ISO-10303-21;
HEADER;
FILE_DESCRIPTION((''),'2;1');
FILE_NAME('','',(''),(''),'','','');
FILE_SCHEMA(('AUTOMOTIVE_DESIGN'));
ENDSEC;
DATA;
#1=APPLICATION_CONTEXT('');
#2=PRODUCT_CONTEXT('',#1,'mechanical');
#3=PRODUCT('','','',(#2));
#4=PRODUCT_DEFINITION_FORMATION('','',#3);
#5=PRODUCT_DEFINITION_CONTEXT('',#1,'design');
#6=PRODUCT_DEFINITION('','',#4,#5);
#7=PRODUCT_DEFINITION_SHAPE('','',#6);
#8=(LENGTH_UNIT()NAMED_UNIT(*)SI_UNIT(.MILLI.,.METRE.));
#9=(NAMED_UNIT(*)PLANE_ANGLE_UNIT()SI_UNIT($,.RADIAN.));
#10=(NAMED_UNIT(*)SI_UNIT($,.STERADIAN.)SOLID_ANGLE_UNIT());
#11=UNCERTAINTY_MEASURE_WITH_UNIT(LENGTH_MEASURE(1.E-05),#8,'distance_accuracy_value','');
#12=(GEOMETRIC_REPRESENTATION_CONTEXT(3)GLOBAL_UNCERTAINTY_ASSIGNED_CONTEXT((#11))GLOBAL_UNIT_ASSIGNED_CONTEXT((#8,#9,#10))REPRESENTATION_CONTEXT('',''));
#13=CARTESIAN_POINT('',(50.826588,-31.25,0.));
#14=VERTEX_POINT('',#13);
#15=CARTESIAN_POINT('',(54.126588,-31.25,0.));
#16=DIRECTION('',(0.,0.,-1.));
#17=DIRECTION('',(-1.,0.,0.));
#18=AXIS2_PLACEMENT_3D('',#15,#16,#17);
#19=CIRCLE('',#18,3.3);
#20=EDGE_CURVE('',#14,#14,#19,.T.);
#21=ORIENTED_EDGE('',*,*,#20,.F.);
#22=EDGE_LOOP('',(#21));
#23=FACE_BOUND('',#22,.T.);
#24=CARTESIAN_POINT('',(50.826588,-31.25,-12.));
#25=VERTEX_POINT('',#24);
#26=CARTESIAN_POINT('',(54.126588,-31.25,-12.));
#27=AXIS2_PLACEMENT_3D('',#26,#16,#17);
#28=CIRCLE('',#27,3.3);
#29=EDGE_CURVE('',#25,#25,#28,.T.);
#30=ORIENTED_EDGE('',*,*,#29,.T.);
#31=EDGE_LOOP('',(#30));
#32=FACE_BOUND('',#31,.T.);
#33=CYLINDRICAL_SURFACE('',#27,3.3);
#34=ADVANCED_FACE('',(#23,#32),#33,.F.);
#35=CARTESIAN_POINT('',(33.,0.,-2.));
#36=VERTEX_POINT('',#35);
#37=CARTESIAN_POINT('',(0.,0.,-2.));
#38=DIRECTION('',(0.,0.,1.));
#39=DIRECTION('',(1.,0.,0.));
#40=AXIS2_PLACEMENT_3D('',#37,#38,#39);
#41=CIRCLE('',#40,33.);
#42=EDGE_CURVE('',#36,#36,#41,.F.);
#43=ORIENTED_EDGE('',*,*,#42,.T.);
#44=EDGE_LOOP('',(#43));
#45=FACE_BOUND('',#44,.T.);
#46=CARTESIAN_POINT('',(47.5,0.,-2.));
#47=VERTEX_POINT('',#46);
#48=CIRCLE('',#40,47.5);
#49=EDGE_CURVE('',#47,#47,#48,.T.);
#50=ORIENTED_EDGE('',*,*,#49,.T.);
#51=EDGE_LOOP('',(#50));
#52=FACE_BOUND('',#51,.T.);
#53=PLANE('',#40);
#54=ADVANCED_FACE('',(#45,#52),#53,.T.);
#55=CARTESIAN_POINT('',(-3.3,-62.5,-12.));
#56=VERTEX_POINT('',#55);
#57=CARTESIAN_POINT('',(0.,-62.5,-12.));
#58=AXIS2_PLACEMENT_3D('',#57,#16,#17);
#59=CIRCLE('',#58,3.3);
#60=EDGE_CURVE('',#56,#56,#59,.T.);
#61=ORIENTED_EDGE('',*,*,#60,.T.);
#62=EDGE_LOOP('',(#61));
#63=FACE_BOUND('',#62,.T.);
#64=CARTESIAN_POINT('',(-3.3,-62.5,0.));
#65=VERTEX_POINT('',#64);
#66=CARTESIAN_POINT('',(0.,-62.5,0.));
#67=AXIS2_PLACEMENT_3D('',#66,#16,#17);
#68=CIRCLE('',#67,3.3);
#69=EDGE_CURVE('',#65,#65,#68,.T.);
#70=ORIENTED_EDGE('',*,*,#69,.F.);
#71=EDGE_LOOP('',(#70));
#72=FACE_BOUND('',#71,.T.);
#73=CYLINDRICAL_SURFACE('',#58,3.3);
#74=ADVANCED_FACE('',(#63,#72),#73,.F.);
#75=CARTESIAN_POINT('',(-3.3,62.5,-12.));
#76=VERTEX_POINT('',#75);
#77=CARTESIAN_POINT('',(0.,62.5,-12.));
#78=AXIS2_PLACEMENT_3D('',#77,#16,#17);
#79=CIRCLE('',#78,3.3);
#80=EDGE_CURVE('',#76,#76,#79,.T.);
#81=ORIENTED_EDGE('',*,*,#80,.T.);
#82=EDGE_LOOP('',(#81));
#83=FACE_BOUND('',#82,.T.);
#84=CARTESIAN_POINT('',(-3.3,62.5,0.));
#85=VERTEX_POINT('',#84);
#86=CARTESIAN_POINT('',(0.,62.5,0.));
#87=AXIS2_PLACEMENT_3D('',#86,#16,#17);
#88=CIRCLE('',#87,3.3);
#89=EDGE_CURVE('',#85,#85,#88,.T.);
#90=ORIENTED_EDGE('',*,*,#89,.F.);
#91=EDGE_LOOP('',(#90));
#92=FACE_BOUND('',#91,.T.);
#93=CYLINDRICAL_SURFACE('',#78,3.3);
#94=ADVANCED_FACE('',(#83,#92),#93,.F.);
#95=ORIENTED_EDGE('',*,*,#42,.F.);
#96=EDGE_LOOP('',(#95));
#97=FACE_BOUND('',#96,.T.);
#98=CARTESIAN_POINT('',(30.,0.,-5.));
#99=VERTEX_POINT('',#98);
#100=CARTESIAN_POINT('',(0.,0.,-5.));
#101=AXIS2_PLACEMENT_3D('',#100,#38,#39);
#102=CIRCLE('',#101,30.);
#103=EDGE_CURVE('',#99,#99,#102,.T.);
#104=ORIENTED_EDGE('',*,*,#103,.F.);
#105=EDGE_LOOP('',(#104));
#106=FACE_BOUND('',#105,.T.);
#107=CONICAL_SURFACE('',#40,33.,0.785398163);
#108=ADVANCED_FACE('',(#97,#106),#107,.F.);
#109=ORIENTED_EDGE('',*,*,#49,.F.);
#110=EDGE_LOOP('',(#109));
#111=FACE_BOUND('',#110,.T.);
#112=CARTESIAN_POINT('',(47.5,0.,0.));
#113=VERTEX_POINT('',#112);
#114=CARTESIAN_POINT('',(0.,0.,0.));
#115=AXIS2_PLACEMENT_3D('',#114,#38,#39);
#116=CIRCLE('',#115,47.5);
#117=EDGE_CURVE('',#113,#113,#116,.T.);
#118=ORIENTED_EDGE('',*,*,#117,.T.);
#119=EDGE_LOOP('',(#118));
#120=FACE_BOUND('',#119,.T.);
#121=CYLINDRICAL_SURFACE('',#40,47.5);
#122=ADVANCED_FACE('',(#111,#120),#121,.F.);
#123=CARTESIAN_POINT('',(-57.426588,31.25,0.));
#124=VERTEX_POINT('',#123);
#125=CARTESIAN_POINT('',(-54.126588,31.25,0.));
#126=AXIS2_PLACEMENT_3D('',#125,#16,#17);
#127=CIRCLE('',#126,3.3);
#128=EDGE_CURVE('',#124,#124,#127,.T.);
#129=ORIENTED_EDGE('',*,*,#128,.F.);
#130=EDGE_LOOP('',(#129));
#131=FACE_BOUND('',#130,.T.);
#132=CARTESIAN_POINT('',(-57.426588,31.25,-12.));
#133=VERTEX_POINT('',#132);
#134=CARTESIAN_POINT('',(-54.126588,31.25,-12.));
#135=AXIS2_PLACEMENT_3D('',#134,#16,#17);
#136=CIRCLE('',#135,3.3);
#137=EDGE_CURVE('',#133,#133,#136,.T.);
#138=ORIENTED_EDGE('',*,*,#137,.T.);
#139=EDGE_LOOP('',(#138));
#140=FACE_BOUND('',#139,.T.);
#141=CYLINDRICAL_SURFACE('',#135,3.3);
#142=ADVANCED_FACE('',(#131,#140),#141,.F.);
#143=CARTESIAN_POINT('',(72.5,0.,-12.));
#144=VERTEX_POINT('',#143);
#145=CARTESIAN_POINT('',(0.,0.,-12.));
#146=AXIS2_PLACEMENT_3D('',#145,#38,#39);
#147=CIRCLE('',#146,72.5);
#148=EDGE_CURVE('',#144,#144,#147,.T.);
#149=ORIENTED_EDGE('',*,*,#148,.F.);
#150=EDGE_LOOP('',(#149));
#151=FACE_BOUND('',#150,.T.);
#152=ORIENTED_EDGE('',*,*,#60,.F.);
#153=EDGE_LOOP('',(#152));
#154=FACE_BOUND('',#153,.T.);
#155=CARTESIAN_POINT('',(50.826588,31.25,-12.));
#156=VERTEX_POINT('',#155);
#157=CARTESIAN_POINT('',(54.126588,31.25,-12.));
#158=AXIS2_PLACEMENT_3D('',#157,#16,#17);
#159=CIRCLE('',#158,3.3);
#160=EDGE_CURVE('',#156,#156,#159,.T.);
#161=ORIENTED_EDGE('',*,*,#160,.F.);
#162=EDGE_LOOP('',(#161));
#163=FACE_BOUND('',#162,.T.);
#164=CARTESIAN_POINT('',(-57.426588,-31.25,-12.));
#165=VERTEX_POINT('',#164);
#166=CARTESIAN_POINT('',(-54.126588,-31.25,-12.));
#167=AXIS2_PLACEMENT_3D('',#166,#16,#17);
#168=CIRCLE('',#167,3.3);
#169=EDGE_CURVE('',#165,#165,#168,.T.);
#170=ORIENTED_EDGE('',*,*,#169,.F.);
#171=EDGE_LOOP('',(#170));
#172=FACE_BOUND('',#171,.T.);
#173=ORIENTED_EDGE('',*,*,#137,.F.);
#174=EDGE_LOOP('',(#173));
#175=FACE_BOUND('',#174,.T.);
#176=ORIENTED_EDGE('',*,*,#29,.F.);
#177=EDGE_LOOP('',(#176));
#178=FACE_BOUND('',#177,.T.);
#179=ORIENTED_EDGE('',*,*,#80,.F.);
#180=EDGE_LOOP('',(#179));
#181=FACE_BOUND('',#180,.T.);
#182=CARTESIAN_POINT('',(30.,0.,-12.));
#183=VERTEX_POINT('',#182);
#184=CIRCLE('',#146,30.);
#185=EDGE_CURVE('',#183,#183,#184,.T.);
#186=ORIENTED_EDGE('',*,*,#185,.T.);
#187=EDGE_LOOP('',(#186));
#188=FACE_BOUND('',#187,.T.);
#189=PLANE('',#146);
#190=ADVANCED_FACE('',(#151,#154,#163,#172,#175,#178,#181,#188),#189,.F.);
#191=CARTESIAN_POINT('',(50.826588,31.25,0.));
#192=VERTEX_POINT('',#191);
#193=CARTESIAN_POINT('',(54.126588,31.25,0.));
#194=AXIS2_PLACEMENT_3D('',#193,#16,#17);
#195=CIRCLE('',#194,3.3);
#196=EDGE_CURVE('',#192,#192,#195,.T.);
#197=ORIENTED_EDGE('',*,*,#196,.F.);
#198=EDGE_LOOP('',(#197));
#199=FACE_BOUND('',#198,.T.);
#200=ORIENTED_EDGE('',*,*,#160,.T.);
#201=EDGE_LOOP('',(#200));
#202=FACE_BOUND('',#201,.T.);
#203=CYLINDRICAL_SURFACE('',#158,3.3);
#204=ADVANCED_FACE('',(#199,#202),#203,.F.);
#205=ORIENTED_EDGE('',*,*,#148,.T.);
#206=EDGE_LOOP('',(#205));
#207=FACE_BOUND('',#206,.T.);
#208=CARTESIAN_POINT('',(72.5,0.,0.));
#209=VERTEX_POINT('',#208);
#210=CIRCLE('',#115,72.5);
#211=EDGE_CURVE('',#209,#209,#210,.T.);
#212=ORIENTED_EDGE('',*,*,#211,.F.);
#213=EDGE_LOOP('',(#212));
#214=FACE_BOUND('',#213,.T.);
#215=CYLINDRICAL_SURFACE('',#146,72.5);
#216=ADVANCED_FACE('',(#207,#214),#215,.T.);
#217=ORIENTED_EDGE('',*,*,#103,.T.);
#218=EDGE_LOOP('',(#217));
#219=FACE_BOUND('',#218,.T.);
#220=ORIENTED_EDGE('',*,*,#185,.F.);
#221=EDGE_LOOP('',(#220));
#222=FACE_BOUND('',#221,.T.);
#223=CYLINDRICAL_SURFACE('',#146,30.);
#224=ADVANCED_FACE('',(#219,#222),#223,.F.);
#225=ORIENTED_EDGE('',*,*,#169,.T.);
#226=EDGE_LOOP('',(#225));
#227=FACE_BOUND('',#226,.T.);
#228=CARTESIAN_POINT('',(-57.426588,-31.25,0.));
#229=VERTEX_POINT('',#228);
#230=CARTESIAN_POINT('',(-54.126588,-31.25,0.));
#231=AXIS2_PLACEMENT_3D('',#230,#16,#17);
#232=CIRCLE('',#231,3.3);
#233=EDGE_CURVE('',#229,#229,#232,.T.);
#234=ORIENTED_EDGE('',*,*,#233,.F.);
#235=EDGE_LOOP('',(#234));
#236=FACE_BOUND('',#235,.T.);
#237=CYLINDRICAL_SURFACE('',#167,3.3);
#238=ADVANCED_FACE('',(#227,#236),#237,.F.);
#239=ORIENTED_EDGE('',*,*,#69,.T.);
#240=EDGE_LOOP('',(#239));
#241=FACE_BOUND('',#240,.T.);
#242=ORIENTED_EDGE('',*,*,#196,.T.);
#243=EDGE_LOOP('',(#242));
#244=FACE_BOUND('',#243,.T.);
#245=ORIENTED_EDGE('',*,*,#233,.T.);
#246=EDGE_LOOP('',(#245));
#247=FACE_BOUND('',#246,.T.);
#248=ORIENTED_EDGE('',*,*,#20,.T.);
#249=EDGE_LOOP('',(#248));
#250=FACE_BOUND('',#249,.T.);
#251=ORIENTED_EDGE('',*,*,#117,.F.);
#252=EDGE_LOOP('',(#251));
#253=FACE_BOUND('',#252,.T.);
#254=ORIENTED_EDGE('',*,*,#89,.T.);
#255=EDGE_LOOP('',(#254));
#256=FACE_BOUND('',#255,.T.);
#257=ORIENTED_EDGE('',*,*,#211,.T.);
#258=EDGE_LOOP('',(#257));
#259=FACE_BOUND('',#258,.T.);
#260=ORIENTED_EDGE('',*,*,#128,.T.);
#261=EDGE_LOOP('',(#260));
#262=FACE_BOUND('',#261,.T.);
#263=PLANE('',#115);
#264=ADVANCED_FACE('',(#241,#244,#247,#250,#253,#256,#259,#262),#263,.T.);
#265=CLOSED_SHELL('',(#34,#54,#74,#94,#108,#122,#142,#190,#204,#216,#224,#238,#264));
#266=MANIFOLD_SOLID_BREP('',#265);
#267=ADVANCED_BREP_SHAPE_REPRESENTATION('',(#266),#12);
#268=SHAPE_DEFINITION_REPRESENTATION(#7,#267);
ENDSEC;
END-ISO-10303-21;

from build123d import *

# Parameters (mm, degrees)
SKETCH1_R            = 72.5
SKETCH1_R_2          = 30
BOSS_EXTRUDE1_DEPTH  = 12
M6_CLEARANCE_HOLE1_D = 6.6
CIRPATTERN1_COUNT    = 6
SKETCH4_R            = 47.5
CUT_EXTRUDE1_DEPTH   = 2
CHAMFER1_SIZE        = 3


with BuildPart() as part:
    # Sketch1 → Boss-Extrude1 (new body)
    with BuildSketch(Plane.XY):
        Circle(SKETCH1_R)
        Circle(SKETCH1_R_2, mode=Mode.SUBTRACT)
    extrude(amount=-BOSS_EXTRUDE1_DEPTH)

    # M6 Clearance Hole1 (through all)
    with Locations(Plane(origin=(9.54608016, 92.530972723, -12), x_dir=(1, 0, 0), z_dir=(0, 0, -1))):
        with Locations((-9.54608016, 30.030972723)):
            m6_clearance_hole1 = Hole(M6_CLEARANCE_HOLE1_D / 2)

    # CirPattern1: M6 Clearance Hole1 ×6 about axis
    cirpattern1_axis = Axis((0, 0, 0), (0, 0, 1))
    for i in range(1, CIRPATTERN1_COUNT):
        add(m6_clearance_hole1.rotate(cirpattern1_axis, i * 360 / CIRPATTERN1_COUNT), mode=Mode.SUBTRACT)

    # Sketch4 → Cut-Extrude1 (cut)
    with BuildSketch(Plane.XY):
        Circle(SKETCH4_R)
    extrude(amount=-CUT_EXTRUDE1_DEPTH, mode=Mode.SUBTRACT)

    # Chamfer1
    chamfer1_edges = [part.edges().sort_by_distance(p)[0] for p in [
        (-30, 0, -2),
    ]]
    chamfer(chamfer1_edges, length=CHAMFER1_SIZE)


solid = part.part
